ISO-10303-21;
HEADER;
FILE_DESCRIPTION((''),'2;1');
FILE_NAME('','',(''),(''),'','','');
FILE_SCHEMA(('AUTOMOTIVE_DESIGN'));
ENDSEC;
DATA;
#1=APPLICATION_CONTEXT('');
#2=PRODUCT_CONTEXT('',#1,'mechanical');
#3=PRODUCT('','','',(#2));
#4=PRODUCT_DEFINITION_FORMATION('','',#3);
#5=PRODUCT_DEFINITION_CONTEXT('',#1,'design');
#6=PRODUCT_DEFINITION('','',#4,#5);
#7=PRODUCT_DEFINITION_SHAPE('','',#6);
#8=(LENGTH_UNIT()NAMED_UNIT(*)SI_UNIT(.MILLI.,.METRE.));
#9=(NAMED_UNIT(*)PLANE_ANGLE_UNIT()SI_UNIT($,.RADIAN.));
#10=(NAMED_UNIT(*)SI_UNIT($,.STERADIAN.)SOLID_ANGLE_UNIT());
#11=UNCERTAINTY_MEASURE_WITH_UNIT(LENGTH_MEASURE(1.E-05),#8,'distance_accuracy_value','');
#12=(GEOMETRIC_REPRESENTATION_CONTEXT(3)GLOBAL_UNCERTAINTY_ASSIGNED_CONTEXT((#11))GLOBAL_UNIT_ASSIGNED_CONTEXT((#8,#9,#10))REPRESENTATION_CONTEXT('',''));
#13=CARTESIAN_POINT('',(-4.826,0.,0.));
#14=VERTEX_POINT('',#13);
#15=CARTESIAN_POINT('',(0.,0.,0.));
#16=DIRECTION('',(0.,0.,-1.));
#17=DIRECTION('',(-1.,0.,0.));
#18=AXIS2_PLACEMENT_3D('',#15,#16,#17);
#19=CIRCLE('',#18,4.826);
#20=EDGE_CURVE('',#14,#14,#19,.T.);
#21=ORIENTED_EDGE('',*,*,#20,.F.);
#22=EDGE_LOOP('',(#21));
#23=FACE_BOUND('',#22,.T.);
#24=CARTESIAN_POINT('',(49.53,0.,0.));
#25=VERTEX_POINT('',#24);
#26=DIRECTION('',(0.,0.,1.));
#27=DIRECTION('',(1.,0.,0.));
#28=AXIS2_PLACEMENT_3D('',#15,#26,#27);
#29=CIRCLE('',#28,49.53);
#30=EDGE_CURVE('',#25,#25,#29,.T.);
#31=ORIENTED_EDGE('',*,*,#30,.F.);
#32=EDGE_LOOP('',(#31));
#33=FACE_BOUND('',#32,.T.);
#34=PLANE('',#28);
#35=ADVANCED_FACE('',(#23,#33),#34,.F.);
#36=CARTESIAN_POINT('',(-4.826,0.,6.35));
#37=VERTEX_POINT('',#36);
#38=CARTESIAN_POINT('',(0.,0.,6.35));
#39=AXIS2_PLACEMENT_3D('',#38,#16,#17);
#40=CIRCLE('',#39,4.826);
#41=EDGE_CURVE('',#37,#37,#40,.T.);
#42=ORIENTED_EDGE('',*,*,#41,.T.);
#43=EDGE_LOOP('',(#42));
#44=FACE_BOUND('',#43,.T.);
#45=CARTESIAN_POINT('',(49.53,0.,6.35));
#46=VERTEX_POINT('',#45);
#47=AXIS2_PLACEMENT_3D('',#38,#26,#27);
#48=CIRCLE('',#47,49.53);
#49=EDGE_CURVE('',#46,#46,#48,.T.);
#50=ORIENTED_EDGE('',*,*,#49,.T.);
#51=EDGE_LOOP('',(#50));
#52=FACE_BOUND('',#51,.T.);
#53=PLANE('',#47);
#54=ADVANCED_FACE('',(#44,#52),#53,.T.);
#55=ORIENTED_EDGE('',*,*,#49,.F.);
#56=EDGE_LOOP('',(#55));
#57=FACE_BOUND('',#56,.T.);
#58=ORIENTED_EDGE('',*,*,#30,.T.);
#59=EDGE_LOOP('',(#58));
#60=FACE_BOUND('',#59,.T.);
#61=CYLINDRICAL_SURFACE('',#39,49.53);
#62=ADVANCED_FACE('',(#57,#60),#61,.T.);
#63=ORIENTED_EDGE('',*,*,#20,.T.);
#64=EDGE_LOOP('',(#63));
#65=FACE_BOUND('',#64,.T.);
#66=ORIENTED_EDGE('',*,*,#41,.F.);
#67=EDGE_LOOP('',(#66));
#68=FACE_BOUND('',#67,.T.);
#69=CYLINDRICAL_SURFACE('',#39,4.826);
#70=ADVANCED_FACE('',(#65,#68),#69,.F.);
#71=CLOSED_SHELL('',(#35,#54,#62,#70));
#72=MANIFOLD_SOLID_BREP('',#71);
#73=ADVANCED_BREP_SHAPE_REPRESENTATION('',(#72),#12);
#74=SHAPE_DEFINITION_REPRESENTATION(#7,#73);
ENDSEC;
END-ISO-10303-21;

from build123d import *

# Parameters (mm, degrees)
SKETCH1_R           = 49.53
BOSS_EXTRUDE1_DEPTH = 6.35
SKETCH2_R           = 4.826
CUT_EXTRUDE1_DEPTH  = 6.35


with BuildPart() as part:
    # Sketch1 → Boss-Extrude1 (new body)
    with BuildSketch(Plane.XY):
        Circle(SKETCH1_R)
    extrude(amount=BOSS_EXTRUDE1_DEPTH)

    # Sketch2 → Cut-Extrude1 (cut)
    with BuildSketch(Plane(origin=(0, 0, 0), x_dir=(-1, 0, 0), z_dir=(0, 0, -1))):
        Circle(SKETCH2_R)
    extrude(amount=-CUT_EXTRUDE1_DEPTH, mode=Mode.SUBTRACT)


solid = part.part
